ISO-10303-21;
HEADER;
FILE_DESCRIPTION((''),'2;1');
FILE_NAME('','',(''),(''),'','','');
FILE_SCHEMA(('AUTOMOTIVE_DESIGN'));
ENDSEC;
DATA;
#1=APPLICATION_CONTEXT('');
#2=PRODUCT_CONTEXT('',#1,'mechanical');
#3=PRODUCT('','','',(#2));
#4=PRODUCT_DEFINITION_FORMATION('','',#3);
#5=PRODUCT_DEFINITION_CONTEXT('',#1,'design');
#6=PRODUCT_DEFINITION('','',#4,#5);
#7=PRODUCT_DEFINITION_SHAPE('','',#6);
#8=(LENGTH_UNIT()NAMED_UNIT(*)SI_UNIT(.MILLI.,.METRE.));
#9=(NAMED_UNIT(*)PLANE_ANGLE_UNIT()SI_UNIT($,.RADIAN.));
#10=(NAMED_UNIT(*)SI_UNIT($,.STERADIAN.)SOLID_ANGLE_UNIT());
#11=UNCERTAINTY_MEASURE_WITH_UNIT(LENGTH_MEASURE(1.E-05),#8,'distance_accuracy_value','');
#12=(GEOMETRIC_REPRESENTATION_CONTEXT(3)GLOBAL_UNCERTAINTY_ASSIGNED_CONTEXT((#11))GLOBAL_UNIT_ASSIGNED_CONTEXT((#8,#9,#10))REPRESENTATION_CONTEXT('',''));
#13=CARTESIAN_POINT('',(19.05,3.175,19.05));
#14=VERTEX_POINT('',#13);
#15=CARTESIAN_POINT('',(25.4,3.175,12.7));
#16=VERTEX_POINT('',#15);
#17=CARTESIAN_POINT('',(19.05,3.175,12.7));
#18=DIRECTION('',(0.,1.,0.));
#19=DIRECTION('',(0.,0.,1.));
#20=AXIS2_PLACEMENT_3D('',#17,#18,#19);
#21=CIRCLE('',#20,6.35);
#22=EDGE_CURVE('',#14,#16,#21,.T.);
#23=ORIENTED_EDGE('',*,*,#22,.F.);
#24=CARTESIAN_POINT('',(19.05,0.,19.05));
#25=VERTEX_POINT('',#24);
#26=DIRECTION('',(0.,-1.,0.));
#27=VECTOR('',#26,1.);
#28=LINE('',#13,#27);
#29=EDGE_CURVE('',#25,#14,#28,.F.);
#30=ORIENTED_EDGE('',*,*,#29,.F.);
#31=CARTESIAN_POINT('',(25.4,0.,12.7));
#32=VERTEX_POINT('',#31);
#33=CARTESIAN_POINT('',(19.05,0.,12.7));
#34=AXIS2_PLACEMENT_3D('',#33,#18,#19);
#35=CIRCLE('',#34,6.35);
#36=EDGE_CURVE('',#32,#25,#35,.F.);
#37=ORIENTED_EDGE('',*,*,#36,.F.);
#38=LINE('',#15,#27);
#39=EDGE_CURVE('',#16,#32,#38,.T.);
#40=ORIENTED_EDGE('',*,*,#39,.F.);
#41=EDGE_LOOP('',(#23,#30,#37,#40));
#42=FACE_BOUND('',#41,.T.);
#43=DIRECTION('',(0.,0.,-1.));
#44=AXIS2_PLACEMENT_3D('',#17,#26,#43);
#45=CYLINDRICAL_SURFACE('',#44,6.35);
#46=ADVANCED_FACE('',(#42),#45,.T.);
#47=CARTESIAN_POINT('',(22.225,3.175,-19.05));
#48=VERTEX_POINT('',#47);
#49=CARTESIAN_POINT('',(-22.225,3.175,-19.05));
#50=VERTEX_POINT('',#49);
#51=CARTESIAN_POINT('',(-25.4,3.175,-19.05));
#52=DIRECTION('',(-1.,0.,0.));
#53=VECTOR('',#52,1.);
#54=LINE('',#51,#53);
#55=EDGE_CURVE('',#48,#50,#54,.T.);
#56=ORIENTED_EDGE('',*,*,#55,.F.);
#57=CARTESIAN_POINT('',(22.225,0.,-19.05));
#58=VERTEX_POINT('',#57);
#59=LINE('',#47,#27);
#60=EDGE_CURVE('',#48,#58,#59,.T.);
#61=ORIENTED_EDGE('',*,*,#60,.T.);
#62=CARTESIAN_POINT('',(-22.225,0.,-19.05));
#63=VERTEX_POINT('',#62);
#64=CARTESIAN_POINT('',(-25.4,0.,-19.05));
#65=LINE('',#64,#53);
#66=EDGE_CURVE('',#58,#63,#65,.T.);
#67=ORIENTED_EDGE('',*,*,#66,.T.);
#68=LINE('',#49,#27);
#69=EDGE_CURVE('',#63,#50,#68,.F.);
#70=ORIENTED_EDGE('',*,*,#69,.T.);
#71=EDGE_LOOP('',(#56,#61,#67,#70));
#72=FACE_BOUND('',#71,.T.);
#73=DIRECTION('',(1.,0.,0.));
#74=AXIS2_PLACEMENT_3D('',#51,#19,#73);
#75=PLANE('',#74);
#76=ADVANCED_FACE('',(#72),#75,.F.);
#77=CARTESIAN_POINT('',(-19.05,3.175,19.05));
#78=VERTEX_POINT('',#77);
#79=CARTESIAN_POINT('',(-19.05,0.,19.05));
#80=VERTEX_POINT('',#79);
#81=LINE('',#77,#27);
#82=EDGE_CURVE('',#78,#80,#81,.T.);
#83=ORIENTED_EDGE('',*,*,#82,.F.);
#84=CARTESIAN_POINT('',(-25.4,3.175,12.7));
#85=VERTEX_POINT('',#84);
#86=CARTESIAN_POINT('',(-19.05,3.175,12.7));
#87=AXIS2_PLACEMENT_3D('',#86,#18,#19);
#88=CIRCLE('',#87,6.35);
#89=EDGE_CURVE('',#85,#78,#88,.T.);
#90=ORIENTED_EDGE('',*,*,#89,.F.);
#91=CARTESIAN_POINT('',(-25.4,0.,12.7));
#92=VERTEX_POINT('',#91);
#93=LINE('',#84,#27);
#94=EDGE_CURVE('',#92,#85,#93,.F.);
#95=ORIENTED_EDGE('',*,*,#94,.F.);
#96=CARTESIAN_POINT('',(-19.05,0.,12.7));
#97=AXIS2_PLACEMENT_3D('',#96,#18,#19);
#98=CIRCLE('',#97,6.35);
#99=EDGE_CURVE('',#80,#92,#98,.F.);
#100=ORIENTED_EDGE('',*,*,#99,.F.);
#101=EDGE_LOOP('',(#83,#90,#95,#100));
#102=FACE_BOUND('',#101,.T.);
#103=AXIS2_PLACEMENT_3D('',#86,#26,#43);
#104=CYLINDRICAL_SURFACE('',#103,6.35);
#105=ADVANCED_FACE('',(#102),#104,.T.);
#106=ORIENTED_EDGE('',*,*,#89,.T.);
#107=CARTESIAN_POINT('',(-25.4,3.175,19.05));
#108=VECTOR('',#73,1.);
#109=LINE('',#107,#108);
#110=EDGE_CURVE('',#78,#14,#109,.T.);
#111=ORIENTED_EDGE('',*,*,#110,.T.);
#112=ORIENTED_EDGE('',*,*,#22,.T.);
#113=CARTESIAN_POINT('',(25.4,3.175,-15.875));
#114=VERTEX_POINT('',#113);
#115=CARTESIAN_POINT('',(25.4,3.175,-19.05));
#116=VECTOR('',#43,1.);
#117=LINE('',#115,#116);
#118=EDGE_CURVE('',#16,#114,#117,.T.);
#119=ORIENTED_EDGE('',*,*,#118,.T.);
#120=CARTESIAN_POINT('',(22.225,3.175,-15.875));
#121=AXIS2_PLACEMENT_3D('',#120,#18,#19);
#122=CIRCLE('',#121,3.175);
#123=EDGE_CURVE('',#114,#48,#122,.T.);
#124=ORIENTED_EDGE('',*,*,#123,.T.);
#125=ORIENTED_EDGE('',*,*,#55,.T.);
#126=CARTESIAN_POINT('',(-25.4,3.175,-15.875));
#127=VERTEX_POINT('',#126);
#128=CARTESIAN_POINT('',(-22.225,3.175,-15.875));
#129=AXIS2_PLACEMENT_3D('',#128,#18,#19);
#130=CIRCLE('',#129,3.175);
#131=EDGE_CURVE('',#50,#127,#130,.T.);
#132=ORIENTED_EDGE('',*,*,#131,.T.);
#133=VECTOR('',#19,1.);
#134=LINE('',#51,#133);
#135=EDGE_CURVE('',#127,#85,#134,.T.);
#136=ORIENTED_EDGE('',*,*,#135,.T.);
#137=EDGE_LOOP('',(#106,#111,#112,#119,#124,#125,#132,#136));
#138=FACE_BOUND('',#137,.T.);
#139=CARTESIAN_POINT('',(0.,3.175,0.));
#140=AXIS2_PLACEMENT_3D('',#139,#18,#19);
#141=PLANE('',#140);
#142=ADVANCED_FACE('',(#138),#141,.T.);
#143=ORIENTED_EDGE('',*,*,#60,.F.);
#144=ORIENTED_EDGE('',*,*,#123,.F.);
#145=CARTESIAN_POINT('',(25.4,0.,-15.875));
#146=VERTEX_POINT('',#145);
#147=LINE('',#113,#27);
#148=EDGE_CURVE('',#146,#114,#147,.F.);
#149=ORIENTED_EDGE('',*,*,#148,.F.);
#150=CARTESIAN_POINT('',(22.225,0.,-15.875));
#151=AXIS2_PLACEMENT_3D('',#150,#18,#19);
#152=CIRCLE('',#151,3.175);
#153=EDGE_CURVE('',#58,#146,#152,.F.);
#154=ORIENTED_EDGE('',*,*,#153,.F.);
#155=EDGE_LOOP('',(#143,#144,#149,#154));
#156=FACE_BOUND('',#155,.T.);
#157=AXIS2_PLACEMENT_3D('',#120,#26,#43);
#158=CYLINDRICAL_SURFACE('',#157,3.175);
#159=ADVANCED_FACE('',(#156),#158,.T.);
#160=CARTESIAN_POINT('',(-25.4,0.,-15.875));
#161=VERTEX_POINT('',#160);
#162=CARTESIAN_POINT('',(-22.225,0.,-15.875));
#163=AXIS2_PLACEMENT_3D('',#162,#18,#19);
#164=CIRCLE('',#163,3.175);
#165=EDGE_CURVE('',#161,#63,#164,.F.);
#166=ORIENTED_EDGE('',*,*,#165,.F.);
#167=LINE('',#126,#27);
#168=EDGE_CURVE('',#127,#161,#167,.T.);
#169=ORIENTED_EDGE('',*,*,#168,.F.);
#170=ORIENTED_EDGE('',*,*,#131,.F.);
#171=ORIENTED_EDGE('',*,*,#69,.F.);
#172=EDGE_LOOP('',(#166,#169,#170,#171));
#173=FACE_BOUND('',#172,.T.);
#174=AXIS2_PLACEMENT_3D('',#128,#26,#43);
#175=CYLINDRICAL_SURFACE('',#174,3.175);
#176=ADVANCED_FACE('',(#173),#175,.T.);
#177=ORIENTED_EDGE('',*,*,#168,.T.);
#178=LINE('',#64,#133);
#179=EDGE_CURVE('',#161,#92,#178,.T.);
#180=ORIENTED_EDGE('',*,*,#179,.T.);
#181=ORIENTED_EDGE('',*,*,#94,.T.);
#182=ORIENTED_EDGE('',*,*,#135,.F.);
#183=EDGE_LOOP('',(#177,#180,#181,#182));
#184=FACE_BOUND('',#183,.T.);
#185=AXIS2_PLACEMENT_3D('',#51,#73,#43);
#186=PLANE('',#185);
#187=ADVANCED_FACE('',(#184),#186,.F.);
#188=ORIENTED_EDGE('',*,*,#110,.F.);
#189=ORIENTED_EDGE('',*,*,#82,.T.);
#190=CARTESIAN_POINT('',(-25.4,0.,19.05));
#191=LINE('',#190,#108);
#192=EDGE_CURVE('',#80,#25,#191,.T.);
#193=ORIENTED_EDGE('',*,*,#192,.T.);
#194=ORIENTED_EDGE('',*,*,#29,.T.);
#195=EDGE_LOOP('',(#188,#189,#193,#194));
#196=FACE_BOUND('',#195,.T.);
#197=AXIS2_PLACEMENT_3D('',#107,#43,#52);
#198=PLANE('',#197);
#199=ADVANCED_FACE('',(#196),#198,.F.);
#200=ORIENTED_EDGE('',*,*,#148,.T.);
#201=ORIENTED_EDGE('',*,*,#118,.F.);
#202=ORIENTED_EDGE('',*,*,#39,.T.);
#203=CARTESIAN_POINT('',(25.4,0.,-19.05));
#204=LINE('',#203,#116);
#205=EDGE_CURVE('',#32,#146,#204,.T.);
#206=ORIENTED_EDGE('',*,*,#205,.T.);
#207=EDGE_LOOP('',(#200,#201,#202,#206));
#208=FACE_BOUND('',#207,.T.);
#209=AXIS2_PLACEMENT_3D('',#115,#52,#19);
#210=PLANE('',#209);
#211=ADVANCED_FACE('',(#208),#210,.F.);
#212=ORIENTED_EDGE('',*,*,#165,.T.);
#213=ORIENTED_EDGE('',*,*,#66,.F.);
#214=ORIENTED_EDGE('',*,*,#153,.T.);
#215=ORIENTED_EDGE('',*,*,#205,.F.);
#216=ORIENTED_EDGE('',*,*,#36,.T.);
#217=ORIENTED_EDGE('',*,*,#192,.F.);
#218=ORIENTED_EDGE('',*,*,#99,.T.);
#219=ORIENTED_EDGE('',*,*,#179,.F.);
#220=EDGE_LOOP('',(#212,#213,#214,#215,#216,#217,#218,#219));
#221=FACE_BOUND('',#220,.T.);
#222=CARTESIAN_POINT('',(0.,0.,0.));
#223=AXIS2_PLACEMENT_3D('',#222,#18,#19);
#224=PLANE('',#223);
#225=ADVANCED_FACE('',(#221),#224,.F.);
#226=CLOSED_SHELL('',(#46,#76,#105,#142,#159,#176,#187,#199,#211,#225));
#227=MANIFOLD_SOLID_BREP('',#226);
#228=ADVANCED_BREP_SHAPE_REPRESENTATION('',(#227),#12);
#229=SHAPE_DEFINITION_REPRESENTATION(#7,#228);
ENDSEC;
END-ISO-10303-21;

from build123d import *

# Parameters (mm, degrees)
SKETCH1_W           = 50.8
SKETCH1_H           = 38.1
BOSS_EXTRUDE1_DEPTH = 3.175
FILLET1_R           = 6.35
FILLET2_R           = 3.175


with BuildPart() as part:
    # Sketch1 → Boss-Extrude1 (new body)
    with BuildSketch(Plane(origin=(0, 0, 0), x_dir=(1, 0, 0), z_dir=(0, 1, 0))):
        Rectangle(SKETCH1_W, SKETCH1_H)
    extrude(amount=BOSS_EXTRUDE1_DEPTH)

    # Fillet1
    fillet1_edges = [part.edges().sort_by_distance(p)[0] for p in [
        (25.4, 1.5875, 19.05),
        (-25.4, 1.5875, 19.05),
    ]]
    fillet(fillet1_edges, radius=FILLET1_R)

    # Fillet2
    fillet2_edges = [part.edges().sort_by_distance(p)[0] for p in [
        (-25.4, 1.5875, -19.05),
        (25.4, 1.5875, -19.05),
    ]]
    fillet(fillet2_edges, radius=FILLET2_R)


solid = part.part
